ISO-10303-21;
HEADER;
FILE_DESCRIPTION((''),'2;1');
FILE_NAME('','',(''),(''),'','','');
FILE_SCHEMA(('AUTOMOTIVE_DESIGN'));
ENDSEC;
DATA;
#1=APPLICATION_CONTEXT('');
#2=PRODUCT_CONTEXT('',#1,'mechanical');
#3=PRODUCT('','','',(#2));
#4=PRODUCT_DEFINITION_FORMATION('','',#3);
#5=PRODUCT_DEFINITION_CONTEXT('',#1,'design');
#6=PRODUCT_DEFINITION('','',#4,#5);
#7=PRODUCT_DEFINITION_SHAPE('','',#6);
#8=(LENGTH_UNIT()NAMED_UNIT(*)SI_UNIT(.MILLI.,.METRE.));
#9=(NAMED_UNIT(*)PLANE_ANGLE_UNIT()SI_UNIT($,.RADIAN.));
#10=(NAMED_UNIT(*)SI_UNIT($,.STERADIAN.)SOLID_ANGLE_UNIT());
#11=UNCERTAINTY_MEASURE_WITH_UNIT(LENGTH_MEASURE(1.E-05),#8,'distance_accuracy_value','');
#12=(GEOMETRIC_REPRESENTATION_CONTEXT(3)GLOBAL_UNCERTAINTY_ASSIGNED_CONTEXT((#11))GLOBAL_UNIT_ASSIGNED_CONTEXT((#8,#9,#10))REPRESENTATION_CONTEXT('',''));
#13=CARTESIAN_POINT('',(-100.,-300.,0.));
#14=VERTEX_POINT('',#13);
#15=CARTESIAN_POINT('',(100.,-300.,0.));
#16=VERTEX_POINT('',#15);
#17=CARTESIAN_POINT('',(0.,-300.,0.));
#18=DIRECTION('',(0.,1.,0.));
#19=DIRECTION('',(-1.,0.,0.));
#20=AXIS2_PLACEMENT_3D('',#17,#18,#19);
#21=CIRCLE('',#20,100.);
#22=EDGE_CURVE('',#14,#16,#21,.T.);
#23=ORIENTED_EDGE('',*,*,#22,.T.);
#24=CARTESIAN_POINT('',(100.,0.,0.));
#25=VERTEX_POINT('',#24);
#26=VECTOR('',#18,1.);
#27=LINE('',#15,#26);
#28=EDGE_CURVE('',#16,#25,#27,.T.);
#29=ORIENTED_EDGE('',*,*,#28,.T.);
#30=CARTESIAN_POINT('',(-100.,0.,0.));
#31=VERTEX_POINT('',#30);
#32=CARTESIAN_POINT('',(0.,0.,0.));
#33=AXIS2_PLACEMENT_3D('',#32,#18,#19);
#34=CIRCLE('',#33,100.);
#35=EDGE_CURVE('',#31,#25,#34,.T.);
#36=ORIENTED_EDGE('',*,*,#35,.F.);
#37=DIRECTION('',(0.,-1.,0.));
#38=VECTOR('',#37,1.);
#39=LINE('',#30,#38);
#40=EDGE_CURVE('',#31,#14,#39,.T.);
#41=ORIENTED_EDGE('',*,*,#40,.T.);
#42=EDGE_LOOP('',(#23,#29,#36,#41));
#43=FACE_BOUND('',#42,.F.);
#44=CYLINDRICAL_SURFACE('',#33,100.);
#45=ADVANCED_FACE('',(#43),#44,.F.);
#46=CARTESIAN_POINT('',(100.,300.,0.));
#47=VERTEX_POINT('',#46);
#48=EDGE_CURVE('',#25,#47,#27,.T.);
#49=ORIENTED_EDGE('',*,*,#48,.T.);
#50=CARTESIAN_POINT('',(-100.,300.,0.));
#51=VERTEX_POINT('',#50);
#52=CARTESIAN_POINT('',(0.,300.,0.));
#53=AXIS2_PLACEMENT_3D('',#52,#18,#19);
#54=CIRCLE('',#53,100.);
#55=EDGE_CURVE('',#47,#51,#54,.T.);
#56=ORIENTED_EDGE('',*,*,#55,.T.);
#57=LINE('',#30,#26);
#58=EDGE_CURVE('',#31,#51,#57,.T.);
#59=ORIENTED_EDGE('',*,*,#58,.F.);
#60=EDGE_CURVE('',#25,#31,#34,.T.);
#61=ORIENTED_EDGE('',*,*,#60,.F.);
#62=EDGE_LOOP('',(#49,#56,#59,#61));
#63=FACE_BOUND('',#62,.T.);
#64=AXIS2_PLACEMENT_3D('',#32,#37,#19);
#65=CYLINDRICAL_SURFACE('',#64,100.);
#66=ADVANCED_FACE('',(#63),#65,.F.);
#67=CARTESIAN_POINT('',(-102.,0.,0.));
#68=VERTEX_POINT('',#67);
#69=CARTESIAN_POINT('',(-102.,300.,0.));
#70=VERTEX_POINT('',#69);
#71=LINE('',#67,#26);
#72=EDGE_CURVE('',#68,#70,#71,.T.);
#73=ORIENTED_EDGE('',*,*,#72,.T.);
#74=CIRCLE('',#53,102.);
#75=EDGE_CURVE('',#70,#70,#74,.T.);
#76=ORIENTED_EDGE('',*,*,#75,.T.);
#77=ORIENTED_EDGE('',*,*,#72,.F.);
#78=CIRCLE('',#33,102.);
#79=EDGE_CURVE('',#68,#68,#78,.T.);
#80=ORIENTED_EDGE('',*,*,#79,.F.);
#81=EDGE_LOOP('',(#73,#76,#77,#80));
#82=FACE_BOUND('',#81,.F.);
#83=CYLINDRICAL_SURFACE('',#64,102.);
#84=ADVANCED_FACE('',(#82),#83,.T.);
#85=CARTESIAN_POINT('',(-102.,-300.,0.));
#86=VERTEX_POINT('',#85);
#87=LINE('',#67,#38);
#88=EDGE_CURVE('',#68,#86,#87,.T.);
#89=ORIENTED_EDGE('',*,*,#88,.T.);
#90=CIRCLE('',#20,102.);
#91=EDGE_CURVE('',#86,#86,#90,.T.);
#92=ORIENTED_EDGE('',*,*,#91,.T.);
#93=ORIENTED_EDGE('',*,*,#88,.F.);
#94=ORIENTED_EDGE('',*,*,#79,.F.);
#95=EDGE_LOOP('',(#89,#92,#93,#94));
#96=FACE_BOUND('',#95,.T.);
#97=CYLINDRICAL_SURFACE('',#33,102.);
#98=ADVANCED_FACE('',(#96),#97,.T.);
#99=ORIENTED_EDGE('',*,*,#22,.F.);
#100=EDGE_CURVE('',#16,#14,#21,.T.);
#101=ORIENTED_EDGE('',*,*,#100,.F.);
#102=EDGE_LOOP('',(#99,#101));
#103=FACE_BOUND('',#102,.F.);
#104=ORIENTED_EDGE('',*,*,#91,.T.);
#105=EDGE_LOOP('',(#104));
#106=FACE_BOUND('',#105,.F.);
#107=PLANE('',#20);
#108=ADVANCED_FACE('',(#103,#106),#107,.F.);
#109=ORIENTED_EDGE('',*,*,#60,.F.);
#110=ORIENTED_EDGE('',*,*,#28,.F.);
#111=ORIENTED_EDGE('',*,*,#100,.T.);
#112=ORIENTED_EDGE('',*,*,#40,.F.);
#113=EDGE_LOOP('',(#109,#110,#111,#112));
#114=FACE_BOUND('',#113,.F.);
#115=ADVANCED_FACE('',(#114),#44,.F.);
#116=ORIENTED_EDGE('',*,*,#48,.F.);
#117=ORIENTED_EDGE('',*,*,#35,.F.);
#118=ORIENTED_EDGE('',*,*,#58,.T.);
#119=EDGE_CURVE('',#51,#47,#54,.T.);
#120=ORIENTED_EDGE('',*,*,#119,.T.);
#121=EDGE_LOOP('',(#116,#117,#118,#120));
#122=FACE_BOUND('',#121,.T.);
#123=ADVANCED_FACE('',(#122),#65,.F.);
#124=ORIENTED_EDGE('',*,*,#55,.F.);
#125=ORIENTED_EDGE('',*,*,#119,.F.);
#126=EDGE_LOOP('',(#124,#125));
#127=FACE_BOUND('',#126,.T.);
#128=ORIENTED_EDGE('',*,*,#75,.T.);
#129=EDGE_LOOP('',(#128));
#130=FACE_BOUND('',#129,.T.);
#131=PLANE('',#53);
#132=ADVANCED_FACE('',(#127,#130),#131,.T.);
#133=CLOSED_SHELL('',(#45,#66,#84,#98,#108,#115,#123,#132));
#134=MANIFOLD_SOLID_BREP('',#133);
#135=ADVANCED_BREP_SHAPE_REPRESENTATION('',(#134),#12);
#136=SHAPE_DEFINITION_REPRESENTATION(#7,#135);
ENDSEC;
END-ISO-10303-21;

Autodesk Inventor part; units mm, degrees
ref_plane "YZ Plane" through (0, 0, 0) normal (1, 0, 0) x (0, 1, 0)
ref_plane "XZ Plane" through (0, 0, 0) normal (0, 1, 0) x (-1, 0, 0)
ref_plane "XY Plane" through (0, 0, 0) normal (0, 0, 1) x (1, 0, 0)
sketch "Szkic8" plane through (0, 0, 0) normal (0, 1, 0) x (-1, 0, 0)
  circle A0 centre (0, 0) radius 102
  circle A1 centre (0, 0) radius 100
  dimension "d53" = 204
  dimension "d54" = 2
extrude "Wyciągnięcie proste2" add sketch "Szkic8" along normal mid plane 600
sketch "Szkic13" plane through (0, 0, 0) normal (0, 0, 1) x (1, 0, 0)
  circle A0 centre (0, 0) radius 52
  circle A1 centre (0, 0) radius 50
  dimension "d67" = 104
  dimension "d68" = 2
extrude "Wyciągnięcie proste6" add sketch "Szkic13" along normal blind 55.5
sketch "Szkic14" plane through (0, 0, 55.5) normal (0, 0, 1) x (1, 0, 0)
  circle A0 centre (0, 0) radius 50 projected
extrude "Wyciągnięcie proste7" cut sketch "Szkic14" against normal blind 55.5
sketch "Szkic15" plane through (0, -300, 0) normal (0, -1, 0) x (1, 0, 0)
  circle A0 centre (0, 0) radius 100 projected
extrude "Wyciągnięcie proste8" cut sketch "Szkic15" against normal blind 600
fillet "Zaokrąglenie3" [suppressed]
fillet "Zaokrąglenie4" [suppressed]
equation "\"d53\" = OD"
equation "\"d54\" = THK"
equation "\"d55\" = L1"
equation "\"d67\" = OD2"
equation "\"d68\" = THK"
equation "\"d69\" = L2"
equation "\"d71\" = L2"
equation "\"d73\" = L1"
equation "\"d75\" = THK"
equation "\"d76\" = 2 * THK"
equation "\"SzerokośćGięciaPodcięcia\" = Grubość"
equation "\"RozmiarPodcięciaNarożnika\" = 4 * Grubość"
equation "\"PromieńPrzejścia\" = PromieńGięcia"
equation "\"Rozmiar_promienia_Jacobiego\" = PromieńGięcia"
equation "\"Wielk_odstępu\" = Grubość"
equation "\"d2\" = PromieńGięcia"
equation "\"d23\" = PromieńGięcia"
equation "\"OD\" = 204"
equation "\"THK\" = 2"
equation "\"L1\" = 600"
equation "\"L2\" = 55.5"
equation "\"OD2\" = 104"
equation "\"Grubość\" = 1.5"
equation "\"PromieńGięcia\" = 3"
properties part number "Trójnik red. krótki  Ø204 104 204 s=2 L=600" material "304"
